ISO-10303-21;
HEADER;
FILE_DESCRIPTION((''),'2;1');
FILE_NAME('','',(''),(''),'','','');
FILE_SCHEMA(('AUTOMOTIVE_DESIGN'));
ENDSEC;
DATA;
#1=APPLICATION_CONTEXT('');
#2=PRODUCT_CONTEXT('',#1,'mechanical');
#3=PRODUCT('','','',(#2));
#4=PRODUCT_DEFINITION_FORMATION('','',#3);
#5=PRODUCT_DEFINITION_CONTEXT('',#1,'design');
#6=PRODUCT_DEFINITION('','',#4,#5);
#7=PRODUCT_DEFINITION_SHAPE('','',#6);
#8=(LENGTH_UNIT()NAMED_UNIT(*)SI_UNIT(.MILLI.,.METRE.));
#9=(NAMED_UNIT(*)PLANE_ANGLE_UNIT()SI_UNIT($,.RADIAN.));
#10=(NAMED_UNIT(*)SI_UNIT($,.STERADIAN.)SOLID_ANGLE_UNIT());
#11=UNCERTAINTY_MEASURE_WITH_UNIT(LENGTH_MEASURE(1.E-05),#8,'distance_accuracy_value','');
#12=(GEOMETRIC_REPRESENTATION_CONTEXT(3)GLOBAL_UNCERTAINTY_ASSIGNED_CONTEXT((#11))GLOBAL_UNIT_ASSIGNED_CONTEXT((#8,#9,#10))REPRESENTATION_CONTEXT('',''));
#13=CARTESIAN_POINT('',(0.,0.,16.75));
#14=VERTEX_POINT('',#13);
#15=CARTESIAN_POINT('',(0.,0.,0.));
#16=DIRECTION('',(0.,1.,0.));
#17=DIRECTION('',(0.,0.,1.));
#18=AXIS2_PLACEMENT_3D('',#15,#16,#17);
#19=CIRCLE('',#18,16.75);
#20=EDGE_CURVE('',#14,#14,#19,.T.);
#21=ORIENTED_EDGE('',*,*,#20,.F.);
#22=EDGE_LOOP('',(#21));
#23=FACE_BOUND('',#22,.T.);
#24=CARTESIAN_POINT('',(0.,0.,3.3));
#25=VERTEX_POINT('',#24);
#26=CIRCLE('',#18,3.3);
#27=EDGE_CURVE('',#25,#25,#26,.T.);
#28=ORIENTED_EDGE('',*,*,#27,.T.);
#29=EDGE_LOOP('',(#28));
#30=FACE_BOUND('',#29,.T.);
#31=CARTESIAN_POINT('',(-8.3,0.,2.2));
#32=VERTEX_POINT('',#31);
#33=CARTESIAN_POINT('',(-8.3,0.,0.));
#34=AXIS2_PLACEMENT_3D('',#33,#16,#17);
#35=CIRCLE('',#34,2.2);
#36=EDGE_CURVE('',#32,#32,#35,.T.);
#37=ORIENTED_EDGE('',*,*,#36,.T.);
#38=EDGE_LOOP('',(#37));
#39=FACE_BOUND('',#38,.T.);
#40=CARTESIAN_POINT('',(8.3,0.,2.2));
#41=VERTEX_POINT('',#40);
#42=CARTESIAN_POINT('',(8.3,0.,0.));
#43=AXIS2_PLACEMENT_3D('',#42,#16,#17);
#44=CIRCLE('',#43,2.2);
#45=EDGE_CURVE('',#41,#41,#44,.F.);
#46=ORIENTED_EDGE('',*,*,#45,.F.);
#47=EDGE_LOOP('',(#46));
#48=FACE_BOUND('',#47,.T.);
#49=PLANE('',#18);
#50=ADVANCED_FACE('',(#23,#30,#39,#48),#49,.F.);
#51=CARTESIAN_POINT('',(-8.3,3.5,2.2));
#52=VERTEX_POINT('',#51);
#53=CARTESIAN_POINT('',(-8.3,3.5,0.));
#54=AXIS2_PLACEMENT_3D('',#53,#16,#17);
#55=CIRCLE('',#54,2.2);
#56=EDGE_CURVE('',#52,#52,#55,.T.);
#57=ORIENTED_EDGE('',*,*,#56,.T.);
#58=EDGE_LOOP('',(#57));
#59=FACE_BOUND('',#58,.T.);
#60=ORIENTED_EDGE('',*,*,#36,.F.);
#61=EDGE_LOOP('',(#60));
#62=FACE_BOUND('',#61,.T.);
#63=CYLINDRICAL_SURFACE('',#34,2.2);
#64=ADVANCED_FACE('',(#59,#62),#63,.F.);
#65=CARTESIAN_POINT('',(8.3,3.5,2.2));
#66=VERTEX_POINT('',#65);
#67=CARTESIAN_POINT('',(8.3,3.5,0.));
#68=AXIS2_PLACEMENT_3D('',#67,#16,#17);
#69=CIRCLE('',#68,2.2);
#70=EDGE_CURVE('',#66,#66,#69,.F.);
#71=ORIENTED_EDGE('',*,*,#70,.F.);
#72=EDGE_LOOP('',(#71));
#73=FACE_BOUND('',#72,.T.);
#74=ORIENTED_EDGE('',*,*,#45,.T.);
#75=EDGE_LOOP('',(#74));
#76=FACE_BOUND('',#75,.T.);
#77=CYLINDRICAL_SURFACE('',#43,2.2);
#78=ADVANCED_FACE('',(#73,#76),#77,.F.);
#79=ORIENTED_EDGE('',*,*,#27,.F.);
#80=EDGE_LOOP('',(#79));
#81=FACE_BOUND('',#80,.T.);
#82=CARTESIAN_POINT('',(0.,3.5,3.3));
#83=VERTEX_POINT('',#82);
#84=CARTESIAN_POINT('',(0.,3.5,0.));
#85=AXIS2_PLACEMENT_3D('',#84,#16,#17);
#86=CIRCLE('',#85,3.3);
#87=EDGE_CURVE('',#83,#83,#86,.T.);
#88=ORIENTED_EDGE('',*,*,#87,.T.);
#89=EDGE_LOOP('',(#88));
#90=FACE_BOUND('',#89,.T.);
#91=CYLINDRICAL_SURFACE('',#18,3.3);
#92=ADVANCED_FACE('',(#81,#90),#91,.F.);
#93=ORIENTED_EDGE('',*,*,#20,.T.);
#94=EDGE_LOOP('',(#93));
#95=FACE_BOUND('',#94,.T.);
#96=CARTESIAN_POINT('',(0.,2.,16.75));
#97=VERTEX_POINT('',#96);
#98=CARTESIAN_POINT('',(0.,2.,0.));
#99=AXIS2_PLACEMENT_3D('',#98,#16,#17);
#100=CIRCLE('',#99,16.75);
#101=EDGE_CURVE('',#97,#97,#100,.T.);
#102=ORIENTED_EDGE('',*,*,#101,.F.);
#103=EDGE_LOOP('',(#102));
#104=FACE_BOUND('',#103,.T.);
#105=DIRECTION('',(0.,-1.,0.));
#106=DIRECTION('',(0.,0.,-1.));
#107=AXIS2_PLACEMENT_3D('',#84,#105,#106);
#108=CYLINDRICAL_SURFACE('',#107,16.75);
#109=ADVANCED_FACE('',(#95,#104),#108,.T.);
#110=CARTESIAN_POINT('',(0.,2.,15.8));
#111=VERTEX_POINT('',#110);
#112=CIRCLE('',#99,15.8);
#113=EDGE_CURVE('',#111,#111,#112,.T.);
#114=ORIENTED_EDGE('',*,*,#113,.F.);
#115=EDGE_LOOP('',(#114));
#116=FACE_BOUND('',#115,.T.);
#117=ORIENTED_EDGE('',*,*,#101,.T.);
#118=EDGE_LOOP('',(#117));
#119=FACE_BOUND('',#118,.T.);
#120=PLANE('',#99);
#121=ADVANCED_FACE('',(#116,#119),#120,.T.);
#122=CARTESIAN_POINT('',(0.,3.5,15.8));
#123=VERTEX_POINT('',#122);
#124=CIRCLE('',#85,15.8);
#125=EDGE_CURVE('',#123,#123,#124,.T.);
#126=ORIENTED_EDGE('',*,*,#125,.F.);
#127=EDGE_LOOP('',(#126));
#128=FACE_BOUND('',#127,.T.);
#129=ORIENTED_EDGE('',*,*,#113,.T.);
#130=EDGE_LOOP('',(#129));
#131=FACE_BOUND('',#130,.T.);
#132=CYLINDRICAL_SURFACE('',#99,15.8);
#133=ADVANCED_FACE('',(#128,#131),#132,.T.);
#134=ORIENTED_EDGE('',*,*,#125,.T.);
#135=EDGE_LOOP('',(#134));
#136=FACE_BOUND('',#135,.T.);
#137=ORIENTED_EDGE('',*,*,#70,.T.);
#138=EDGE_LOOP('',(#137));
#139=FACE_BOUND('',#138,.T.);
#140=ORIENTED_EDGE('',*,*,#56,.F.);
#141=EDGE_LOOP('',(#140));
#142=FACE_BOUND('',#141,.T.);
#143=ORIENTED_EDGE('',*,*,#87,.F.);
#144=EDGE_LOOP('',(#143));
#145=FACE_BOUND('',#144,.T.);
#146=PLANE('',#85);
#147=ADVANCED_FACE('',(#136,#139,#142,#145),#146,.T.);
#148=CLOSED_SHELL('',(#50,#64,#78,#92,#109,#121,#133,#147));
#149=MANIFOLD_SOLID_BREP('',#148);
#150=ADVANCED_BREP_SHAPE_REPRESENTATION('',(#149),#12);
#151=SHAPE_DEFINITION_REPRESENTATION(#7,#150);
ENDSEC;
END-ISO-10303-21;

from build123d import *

# Parameters (mm, degrees)
SKETCH1_R           = 16.75
BOSS_EXTRUDE1_DEPTH = 3.5
SKETCH2_OUTSIDE_W   = 45.002
SKETCH2_OUTSIDE_H   = 45.002
SKETCH2_OUTSIDE_R   = 15.8
CUT_EXTRUDE1_DEPTH  = 1.5
SKETCH3_R           = 3.3
SKETCH3_R_2         = 2.2
CUT_EXTRUDE2_DEPTH  = 24.945250051


with BuildPart() as part:
    # Sketch1 → Boss-Extrude1 (new body)
    with BuildSketch(Plane(origin=(0, 0, 0), x_dir=(1, 0, 0), z_dir=(0, 1, 0))):
        with Locations(Location((0, 0, 0), (0, 0, 270))):
            Circle(SKETCH1_R)
    extrude(amount=BOSS_EXTRUDE1_DEPTH)

    # Sketch2 outside → Cut-Extrude1 (cut)
    with BuildSketch(Plane(origin=(0, 3.5, 0), x_dir=(1, 0, 0), z_dir=(0, 1, 0))):
        Rectangle(SKETCH2_OUTSIDE_W, SKETCH2_OUTSIDE_H)
        with Locations(Location((0, 0, 0), (0, 0, 270))):
            Circle(SKETCH2_OUTSIDE_R, mode=Mode.SUBTRACT)
    extrude(amount=-CUT_EXTRUDE1_DEPTH, mode=Mode.SUBTRACT)

    # Sketch3 → Cut-Extrude2 (cut, through all)
    with BuildSketch(Plane(origin=(0, 3.5, 0), x_dir=(1, 0, 0), z_dir=(0, 1, 0))):
        with Locations(Location((0, 0, 0), (0, 0, 270))):
            Circle(SKETCH3_R)
        with Locations(Location((-8.3, 0, 0), (0, 0, 270))):
            Circle(SKETCH3_R_2)
        with Locations(Location((8.3, 0, 0), (0, 0, 270))):
            Circle(SKETCH3_R_2)
    extrude(amount=-CUT_EXTRUDE2_DEPTH, mode=Mode.SUBTRACT)


solid = part.part
